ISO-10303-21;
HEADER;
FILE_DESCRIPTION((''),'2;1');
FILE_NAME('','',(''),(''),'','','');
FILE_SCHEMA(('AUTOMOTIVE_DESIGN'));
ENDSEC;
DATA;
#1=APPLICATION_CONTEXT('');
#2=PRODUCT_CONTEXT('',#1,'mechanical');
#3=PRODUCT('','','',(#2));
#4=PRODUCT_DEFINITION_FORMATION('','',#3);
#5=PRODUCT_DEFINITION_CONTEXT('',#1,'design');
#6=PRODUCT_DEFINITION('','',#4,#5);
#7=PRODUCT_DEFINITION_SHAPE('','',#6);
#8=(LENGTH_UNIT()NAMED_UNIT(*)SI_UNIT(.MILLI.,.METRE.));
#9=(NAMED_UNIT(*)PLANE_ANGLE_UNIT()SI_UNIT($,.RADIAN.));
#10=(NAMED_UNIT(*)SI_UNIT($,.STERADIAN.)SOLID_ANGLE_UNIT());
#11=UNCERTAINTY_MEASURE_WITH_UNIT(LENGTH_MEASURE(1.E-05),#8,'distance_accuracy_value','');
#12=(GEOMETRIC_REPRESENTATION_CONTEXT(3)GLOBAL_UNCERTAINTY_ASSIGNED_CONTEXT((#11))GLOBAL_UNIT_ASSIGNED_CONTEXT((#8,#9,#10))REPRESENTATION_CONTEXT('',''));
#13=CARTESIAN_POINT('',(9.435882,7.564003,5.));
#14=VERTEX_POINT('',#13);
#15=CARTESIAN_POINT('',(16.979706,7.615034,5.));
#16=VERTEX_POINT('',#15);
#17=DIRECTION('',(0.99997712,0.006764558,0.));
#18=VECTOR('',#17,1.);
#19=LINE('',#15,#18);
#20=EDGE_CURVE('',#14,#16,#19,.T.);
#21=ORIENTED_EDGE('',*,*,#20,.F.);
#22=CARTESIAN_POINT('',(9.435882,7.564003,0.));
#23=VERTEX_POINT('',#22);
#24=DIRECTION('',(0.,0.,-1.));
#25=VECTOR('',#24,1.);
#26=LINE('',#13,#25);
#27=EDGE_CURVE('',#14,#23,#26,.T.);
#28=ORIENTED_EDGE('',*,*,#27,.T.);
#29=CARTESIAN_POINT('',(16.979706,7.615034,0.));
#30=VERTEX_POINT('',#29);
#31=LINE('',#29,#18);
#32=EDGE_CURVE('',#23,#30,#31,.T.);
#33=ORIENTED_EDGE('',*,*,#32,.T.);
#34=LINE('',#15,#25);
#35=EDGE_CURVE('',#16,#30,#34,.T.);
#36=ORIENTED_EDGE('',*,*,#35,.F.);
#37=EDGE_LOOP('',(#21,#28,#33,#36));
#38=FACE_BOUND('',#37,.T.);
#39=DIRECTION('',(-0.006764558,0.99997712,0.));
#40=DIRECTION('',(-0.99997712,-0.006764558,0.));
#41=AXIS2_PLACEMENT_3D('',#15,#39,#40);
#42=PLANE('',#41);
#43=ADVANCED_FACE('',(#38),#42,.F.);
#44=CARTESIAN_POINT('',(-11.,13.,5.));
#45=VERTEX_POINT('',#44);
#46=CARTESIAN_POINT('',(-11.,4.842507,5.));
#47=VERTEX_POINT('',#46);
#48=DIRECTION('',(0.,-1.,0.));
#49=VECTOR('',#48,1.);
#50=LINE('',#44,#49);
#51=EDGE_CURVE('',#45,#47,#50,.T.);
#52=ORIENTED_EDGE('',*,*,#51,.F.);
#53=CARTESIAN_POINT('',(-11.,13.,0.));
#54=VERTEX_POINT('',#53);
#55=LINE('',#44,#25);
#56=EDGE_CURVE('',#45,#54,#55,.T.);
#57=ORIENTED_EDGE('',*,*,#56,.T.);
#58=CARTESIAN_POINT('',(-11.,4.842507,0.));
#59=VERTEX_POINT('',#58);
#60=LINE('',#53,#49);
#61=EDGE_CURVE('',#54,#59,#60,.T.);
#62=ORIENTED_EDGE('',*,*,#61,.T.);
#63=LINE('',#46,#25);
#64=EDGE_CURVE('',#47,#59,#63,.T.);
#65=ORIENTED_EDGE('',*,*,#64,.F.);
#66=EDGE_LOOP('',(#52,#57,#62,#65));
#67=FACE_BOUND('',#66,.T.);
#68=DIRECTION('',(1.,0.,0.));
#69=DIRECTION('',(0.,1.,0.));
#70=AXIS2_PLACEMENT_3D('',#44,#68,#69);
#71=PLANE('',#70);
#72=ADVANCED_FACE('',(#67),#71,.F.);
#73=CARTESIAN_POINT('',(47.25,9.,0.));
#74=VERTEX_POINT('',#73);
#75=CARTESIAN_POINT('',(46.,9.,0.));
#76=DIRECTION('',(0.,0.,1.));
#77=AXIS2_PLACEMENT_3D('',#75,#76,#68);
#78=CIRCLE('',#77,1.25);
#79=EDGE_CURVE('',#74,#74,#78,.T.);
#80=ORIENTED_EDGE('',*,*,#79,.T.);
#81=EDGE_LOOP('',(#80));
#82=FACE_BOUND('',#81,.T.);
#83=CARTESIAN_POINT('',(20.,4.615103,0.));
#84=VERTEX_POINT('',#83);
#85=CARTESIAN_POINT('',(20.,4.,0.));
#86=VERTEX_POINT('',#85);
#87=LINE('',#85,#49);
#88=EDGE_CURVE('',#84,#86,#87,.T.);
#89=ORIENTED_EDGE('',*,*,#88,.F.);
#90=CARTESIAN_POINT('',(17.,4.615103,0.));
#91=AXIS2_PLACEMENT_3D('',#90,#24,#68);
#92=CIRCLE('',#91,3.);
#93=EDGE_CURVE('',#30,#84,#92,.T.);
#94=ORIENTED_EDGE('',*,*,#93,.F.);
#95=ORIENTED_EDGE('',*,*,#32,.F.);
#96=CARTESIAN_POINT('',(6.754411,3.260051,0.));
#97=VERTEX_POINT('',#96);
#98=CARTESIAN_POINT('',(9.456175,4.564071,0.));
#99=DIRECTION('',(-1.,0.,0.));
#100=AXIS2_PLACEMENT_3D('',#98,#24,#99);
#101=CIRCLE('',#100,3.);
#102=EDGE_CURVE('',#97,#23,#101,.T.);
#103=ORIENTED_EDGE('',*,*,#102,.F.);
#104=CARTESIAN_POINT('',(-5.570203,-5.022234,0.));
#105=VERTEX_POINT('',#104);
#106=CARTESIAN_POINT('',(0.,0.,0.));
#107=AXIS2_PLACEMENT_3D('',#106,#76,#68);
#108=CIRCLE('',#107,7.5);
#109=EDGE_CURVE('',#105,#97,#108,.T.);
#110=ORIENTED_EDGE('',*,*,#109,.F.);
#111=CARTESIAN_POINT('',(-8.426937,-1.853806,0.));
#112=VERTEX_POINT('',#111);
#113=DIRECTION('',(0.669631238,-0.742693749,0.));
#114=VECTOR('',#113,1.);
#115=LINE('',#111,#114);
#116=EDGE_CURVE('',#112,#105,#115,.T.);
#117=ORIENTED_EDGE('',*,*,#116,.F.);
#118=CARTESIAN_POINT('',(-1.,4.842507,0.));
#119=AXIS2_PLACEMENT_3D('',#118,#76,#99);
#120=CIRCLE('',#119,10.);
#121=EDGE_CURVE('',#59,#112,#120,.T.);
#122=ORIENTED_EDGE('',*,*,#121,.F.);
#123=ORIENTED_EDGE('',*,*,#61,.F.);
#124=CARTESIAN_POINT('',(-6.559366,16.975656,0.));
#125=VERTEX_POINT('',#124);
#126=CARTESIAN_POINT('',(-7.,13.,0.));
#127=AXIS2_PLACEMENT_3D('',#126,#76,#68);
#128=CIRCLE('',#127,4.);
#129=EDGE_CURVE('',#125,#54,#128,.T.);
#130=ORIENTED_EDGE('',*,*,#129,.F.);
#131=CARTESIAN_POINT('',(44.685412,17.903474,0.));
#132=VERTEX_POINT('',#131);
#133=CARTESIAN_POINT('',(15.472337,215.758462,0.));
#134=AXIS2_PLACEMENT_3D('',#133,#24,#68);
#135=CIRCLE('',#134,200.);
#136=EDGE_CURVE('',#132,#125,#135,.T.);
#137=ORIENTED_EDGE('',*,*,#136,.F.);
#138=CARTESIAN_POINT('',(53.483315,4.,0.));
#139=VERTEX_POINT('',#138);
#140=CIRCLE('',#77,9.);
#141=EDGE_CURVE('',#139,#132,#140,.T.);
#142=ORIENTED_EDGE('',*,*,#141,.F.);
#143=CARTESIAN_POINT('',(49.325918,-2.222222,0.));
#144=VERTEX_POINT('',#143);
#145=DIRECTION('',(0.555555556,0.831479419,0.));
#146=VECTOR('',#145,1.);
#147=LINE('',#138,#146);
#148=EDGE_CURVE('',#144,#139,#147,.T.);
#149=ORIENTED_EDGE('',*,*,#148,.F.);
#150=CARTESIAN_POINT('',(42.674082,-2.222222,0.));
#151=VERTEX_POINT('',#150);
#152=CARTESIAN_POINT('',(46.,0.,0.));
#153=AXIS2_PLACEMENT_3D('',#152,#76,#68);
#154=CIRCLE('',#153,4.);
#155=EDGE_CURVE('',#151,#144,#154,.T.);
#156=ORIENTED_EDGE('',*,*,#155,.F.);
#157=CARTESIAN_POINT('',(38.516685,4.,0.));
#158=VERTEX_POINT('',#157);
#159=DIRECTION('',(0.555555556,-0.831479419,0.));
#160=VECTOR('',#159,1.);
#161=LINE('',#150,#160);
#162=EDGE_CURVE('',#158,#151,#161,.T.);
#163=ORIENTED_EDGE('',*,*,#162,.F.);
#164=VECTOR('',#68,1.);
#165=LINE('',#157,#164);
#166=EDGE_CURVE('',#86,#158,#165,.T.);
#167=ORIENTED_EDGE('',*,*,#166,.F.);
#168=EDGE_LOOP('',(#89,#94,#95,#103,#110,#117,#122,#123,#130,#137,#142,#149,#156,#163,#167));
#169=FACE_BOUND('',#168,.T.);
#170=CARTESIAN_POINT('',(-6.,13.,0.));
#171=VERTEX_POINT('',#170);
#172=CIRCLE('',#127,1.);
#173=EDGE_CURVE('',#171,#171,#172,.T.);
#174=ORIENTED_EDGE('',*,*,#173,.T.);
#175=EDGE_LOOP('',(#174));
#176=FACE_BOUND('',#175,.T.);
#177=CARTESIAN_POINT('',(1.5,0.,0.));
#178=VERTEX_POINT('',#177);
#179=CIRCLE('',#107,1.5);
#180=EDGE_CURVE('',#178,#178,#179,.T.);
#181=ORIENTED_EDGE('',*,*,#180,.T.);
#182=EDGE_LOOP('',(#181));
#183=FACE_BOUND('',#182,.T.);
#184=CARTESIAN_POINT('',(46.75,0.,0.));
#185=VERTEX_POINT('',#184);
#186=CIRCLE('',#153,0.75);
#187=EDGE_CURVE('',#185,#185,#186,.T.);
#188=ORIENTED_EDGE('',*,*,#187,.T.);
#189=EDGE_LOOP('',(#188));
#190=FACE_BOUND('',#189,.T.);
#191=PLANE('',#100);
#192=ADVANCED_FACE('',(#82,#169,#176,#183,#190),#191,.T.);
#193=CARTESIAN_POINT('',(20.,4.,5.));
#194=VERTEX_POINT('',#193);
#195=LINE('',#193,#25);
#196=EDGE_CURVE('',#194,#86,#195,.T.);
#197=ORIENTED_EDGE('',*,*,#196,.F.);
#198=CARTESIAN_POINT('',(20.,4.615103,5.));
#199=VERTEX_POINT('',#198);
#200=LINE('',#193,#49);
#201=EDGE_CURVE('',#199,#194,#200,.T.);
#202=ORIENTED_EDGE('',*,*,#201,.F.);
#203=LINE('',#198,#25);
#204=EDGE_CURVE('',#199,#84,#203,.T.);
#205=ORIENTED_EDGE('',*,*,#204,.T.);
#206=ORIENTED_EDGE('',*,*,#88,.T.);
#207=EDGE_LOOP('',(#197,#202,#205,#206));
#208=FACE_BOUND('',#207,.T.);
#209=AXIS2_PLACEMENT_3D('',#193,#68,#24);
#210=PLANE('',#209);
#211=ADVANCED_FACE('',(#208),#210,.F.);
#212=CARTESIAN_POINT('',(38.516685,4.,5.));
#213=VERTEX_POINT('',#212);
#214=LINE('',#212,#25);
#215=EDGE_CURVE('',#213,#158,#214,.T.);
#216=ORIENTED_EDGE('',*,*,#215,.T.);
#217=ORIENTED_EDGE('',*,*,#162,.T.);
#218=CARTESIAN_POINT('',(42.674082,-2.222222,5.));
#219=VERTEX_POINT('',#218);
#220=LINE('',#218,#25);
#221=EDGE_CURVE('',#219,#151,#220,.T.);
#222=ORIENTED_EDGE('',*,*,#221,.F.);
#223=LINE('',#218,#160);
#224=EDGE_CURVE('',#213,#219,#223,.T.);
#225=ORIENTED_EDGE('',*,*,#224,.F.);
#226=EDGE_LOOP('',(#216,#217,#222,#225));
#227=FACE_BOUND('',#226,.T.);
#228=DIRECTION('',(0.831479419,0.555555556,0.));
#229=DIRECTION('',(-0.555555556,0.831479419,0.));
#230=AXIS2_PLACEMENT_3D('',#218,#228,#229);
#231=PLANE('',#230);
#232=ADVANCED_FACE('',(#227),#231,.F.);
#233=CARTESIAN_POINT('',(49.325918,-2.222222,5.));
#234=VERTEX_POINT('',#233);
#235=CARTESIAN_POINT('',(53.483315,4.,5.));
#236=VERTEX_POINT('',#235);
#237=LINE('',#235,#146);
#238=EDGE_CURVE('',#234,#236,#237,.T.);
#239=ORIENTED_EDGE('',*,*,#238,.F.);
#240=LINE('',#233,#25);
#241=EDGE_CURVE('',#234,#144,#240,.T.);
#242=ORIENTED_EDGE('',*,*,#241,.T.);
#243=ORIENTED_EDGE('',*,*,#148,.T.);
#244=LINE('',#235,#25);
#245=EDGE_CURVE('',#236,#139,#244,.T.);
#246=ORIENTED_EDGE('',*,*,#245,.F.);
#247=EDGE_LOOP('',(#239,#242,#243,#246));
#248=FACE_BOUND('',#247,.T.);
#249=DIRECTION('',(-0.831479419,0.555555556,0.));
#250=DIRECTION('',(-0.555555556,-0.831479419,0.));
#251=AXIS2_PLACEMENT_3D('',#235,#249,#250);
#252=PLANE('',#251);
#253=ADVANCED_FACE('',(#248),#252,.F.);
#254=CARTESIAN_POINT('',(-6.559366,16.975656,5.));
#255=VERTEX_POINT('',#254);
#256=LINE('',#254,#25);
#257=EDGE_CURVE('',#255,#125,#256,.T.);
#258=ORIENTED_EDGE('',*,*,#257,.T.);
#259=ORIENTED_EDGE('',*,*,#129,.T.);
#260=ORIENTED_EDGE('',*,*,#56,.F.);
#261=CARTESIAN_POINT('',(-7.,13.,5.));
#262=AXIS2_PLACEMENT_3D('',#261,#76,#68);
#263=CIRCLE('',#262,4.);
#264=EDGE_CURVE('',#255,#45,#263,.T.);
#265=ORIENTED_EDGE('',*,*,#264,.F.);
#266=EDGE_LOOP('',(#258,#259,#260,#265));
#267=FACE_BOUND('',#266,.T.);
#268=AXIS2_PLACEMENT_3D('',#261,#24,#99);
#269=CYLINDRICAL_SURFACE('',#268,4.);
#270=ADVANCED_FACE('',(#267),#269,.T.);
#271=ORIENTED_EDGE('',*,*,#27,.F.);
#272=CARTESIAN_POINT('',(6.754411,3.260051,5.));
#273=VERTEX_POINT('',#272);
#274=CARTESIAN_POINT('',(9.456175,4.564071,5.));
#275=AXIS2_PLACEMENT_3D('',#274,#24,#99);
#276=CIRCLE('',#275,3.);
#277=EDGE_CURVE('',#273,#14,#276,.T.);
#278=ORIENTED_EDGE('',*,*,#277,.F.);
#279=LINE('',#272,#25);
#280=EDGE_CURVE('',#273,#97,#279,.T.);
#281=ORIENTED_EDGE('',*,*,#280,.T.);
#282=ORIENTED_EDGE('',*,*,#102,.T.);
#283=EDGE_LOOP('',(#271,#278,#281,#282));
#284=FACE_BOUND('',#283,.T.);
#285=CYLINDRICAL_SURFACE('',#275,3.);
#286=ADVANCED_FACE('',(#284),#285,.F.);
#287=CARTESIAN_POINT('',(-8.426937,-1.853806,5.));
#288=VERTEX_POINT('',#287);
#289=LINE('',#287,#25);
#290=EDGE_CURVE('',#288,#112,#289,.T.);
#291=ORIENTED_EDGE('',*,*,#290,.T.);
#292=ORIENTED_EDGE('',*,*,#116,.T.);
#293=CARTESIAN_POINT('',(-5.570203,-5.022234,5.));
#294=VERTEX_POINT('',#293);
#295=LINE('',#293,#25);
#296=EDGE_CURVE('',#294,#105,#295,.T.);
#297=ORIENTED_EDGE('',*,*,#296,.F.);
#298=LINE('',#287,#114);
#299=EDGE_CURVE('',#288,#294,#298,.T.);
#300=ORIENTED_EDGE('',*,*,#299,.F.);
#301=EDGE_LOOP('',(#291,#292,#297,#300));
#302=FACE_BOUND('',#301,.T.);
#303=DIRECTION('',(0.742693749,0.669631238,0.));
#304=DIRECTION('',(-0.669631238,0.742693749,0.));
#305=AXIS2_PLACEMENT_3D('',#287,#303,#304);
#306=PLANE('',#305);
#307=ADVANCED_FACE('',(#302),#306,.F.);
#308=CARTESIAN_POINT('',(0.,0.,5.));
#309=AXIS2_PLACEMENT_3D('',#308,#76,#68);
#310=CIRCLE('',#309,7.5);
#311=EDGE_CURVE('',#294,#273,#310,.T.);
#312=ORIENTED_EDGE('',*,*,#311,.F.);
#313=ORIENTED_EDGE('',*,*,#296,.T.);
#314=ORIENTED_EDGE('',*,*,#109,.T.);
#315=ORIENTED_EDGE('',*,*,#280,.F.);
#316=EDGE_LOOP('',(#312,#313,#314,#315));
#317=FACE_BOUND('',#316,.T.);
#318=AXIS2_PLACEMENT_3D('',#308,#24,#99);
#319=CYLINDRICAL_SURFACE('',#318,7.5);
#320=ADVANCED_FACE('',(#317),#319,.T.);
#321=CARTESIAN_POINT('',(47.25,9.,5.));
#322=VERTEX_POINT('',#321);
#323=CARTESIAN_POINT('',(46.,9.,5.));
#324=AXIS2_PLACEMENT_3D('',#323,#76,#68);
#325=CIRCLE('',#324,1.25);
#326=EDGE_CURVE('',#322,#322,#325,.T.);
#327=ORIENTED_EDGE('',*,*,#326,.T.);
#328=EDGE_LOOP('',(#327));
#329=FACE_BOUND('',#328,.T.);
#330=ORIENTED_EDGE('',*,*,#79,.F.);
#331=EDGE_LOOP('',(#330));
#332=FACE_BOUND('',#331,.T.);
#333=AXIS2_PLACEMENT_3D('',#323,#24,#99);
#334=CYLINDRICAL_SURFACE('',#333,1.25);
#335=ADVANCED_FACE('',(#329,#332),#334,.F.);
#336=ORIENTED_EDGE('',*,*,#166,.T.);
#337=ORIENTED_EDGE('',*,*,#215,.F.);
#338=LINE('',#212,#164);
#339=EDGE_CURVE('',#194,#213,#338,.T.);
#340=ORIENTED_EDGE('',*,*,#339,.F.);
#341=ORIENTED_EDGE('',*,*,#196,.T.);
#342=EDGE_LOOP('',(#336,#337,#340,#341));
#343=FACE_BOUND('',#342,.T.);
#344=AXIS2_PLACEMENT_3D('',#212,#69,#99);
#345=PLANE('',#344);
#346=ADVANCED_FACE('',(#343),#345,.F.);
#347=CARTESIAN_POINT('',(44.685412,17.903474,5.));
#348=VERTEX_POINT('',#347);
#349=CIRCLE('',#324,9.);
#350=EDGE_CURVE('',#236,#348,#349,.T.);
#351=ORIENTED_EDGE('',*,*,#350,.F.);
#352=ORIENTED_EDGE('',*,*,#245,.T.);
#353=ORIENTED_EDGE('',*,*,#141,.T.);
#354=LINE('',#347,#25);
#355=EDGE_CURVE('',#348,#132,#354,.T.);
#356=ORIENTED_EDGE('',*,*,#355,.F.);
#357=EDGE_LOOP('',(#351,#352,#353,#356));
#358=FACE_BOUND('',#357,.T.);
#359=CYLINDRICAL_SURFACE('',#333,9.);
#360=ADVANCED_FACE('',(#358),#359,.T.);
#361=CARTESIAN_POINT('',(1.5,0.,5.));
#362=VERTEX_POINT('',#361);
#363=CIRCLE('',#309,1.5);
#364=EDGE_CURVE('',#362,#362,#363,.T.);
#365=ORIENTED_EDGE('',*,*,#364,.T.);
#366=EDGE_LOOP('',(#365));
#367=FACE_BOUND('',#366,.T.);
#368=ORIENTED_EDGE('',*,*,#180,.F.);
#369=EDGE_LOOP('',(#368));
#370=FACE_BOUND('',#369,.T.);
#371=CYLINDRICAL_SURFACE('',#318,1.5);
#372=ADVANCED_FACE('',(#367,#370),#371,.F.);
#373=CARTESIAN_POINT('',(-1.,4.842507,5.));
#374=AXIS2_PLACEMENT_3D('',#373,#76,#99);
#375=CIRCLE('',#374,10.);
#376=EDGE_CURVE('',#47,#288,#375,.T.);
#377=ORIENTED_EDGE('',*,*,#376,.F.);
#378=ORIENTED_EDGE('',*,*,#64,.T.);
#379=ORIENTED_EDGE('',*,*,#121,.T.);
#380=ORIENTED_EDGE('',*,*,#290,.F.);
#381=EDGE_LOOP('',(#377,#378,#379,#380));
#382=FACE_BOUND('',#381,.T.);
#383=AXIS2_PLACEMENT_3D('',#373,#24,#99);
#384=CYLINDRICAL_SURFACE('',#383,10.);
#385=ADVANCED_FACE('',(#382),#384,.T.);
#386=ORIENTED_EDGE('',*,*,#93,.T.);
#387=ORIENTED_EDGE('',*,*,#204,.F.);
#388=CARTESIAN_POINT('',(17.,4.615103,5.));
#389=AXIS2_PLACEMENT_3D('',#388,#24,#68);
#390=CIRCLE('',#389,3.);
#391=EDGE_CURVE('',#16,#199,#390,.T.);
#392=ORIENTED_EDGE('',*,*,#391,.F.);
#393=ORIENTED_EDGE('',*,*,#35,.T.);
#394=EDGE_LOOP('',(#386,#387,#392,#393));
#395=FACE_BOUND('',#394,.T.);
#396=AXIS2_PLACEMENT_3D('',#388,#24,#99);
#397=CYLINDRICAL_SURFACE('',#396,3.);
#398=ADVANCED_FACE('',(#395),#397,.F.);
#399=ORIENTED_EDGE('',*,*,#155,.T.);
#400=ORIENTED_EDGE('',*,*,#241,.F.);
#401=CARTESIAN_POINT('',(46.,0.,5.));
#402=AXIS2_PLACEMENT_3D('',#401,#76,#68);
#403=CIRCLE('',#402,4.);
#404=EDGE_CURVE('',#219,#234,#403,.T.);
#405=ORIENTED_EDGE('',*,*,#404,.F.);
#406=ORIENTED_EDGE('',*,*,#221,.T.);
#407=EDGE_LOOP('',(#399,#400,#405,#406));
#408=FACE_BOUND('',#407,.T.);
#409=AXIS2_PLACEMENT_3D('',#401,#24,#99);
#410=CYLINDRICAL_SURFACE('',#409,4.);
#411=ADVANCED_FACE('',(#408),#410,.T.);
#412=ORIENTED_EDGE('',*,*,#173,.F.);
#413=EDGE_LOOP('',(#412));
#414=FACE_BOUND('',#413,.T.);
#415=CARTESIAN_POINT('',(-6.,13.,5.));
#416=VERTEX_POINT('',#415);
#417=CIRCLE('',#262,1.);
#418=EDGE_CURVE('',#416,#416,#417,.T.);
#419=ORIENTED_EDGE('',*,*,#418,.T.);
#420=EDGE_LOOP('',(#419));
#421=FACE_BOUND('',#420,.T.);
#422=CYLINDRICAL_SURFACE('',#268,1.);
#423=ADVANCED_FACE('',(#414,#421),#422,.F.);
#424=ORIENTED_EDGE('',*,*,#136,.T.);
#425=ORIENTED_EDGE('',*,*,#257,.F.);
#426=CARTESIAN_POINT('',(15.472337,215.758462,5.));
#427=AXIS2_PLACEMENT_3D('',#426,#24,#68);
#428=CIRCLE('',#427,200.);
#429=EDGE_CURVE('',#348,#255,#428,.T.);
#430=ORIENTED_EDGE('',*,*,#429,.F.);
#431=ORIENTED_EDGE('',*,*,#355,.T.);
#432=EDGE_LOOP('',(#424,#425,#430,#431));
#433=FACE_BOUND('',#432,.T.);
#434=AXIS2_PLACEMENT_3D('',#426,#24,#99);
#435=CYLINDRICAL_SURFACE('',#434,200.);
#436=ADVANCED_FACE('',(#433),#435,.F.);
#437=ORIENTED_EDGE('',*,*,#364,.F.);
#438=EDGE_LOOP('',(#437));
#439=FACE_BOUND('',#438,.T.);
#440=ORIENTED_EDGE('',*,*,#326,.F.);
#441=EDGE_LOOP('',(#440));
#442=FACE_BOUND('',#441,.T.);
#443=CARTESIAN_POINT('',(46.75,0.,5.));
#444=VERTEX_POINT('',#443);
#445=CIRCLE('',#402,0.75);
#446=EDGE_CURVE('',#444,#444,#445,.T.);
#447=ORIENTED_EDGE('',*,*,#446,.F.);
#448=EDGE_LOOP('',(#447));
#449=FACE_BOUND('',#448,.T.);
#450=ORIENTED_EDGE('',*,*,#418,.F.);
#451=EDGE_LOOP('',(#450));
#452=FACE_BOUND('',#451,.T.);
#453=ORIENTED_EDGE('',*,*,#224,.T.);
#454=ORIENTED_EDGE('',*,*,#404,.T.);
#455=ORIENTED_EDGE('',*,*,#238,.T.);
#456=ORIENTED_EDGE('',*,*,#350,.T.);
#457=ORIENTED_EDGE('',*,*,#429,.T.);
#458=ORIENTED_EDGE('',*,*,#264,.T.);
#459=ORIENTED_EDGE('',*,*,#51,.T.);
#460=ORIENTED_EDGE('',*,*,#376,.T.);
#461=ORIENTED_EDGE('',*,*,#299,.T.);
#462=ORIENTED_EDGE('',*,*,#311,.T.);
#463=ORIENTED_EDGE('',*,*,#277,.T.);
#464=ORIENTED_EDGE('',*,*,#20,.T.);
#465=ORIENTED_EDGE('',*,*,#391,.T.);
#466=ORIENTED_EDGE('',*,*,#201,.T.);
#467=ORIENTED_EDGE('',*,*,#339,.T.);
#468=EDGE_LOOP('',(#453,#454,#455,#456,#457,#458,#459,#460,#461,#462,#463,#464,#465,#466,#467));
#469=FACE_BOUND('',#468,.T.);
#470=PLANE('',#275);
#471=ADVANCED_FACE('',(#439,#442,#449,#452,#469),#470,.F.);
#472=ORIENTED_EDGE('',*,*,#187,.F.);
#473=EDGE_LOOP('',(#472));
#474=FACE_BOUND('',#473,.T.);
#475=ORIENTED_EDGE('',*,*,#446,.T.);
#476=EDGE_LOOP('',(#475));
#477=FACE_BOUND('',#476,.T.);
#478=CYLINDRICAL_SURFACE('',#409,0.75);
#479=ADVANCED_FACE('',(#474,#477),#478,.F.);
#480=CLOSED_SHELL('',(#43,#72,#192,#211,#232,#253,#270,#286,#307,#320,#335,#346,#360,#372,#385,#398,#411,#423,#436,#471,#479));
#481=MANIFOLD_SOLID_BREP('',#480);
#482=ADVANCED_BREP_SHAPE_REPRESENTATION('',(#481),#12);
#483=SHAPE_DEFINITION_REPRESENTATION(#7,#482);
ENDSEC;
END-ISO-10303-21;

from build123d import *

# Parameters (mm, degrees)
SKETCH1_R           = 1.5
SKETCH1_R_2         = 0.75
SKETCH1_R_3         = 1.25
SKETCH1_R_4         = 1
BOSS_EXTRUDE1_DEPTH = 5


with BuildPart() as part:
    # Sketch1 → Boss-Extrude1 (new body)
    with BuildSketch(Plane.XY):
        with BuildLine():
            Line((53.483314774, 4), (49.325917677, -2.222222222))
            ThreePointArc((49.325917677, -2.222222222), (46, -4), (42.674082323, -2.222222222))
            Line((42.674082323, -2.222222222), (38.516685226, 4))
            Line((38.516685226, 4), (20, 4))
            Line((20, 4), (20, 4.615103075))
            ThreePointArc((20, 4.615103075), (19.114133272, 6.743586222), (16.979706327, 7.615034435))
            Line((16.979706327, 7.615034435), (9.43588174, 7.56400263))
            ThreePointArc((9.43588174, 7.56400263), (6.909923235, 6.150450748), (6.754411009, 3.260050907))
            ThreePointArc((6.754411009, 3.260050907), (4.183258191, -6.224977984), (-5.570203117, -5.022234287))
            Line((-5.570203117, -5.022234287), (-8.426937489, -1.853805696))
            ThreePointArc((-8.426937489, -1.853805696), (-10.334596266, 1.25568183), (-11, 4.842506687))
            Line((-11, 4.842506687), (-11, 13))
            ThreePointArc((-11, 13), (-9.66809518, 15.980145652), (-6.559365945, 16.975656126))
            ThreePointArc((-6.559365945, 16.975656126), (19.092866868, 15.791235692), (44.685411632, 17.903474458))
            ThreePointArc((44.685411632, 17.903474458), (53.605257844, 13.812489287), (53.483314774, 4))
        make_face()
        Circle(SKETCH1_R, mode=Mode.SUBTRACT)
        with Locations((46, 0)):
            Circle(SKETCH1_R_2, mode=Mode.SUBTRACT)
        with Locations((46, 9)):
            Circle(SKETCH1_R_3, mode=Mode.SUBTRACT)
        with Locations((-7, 13)):
            Circle(SKETCH1_R_4, mode=Mode.SUBTRACT)
    extrude(amount=BOSS_EXTRUDE1_DEPTH)


solid = part.part
